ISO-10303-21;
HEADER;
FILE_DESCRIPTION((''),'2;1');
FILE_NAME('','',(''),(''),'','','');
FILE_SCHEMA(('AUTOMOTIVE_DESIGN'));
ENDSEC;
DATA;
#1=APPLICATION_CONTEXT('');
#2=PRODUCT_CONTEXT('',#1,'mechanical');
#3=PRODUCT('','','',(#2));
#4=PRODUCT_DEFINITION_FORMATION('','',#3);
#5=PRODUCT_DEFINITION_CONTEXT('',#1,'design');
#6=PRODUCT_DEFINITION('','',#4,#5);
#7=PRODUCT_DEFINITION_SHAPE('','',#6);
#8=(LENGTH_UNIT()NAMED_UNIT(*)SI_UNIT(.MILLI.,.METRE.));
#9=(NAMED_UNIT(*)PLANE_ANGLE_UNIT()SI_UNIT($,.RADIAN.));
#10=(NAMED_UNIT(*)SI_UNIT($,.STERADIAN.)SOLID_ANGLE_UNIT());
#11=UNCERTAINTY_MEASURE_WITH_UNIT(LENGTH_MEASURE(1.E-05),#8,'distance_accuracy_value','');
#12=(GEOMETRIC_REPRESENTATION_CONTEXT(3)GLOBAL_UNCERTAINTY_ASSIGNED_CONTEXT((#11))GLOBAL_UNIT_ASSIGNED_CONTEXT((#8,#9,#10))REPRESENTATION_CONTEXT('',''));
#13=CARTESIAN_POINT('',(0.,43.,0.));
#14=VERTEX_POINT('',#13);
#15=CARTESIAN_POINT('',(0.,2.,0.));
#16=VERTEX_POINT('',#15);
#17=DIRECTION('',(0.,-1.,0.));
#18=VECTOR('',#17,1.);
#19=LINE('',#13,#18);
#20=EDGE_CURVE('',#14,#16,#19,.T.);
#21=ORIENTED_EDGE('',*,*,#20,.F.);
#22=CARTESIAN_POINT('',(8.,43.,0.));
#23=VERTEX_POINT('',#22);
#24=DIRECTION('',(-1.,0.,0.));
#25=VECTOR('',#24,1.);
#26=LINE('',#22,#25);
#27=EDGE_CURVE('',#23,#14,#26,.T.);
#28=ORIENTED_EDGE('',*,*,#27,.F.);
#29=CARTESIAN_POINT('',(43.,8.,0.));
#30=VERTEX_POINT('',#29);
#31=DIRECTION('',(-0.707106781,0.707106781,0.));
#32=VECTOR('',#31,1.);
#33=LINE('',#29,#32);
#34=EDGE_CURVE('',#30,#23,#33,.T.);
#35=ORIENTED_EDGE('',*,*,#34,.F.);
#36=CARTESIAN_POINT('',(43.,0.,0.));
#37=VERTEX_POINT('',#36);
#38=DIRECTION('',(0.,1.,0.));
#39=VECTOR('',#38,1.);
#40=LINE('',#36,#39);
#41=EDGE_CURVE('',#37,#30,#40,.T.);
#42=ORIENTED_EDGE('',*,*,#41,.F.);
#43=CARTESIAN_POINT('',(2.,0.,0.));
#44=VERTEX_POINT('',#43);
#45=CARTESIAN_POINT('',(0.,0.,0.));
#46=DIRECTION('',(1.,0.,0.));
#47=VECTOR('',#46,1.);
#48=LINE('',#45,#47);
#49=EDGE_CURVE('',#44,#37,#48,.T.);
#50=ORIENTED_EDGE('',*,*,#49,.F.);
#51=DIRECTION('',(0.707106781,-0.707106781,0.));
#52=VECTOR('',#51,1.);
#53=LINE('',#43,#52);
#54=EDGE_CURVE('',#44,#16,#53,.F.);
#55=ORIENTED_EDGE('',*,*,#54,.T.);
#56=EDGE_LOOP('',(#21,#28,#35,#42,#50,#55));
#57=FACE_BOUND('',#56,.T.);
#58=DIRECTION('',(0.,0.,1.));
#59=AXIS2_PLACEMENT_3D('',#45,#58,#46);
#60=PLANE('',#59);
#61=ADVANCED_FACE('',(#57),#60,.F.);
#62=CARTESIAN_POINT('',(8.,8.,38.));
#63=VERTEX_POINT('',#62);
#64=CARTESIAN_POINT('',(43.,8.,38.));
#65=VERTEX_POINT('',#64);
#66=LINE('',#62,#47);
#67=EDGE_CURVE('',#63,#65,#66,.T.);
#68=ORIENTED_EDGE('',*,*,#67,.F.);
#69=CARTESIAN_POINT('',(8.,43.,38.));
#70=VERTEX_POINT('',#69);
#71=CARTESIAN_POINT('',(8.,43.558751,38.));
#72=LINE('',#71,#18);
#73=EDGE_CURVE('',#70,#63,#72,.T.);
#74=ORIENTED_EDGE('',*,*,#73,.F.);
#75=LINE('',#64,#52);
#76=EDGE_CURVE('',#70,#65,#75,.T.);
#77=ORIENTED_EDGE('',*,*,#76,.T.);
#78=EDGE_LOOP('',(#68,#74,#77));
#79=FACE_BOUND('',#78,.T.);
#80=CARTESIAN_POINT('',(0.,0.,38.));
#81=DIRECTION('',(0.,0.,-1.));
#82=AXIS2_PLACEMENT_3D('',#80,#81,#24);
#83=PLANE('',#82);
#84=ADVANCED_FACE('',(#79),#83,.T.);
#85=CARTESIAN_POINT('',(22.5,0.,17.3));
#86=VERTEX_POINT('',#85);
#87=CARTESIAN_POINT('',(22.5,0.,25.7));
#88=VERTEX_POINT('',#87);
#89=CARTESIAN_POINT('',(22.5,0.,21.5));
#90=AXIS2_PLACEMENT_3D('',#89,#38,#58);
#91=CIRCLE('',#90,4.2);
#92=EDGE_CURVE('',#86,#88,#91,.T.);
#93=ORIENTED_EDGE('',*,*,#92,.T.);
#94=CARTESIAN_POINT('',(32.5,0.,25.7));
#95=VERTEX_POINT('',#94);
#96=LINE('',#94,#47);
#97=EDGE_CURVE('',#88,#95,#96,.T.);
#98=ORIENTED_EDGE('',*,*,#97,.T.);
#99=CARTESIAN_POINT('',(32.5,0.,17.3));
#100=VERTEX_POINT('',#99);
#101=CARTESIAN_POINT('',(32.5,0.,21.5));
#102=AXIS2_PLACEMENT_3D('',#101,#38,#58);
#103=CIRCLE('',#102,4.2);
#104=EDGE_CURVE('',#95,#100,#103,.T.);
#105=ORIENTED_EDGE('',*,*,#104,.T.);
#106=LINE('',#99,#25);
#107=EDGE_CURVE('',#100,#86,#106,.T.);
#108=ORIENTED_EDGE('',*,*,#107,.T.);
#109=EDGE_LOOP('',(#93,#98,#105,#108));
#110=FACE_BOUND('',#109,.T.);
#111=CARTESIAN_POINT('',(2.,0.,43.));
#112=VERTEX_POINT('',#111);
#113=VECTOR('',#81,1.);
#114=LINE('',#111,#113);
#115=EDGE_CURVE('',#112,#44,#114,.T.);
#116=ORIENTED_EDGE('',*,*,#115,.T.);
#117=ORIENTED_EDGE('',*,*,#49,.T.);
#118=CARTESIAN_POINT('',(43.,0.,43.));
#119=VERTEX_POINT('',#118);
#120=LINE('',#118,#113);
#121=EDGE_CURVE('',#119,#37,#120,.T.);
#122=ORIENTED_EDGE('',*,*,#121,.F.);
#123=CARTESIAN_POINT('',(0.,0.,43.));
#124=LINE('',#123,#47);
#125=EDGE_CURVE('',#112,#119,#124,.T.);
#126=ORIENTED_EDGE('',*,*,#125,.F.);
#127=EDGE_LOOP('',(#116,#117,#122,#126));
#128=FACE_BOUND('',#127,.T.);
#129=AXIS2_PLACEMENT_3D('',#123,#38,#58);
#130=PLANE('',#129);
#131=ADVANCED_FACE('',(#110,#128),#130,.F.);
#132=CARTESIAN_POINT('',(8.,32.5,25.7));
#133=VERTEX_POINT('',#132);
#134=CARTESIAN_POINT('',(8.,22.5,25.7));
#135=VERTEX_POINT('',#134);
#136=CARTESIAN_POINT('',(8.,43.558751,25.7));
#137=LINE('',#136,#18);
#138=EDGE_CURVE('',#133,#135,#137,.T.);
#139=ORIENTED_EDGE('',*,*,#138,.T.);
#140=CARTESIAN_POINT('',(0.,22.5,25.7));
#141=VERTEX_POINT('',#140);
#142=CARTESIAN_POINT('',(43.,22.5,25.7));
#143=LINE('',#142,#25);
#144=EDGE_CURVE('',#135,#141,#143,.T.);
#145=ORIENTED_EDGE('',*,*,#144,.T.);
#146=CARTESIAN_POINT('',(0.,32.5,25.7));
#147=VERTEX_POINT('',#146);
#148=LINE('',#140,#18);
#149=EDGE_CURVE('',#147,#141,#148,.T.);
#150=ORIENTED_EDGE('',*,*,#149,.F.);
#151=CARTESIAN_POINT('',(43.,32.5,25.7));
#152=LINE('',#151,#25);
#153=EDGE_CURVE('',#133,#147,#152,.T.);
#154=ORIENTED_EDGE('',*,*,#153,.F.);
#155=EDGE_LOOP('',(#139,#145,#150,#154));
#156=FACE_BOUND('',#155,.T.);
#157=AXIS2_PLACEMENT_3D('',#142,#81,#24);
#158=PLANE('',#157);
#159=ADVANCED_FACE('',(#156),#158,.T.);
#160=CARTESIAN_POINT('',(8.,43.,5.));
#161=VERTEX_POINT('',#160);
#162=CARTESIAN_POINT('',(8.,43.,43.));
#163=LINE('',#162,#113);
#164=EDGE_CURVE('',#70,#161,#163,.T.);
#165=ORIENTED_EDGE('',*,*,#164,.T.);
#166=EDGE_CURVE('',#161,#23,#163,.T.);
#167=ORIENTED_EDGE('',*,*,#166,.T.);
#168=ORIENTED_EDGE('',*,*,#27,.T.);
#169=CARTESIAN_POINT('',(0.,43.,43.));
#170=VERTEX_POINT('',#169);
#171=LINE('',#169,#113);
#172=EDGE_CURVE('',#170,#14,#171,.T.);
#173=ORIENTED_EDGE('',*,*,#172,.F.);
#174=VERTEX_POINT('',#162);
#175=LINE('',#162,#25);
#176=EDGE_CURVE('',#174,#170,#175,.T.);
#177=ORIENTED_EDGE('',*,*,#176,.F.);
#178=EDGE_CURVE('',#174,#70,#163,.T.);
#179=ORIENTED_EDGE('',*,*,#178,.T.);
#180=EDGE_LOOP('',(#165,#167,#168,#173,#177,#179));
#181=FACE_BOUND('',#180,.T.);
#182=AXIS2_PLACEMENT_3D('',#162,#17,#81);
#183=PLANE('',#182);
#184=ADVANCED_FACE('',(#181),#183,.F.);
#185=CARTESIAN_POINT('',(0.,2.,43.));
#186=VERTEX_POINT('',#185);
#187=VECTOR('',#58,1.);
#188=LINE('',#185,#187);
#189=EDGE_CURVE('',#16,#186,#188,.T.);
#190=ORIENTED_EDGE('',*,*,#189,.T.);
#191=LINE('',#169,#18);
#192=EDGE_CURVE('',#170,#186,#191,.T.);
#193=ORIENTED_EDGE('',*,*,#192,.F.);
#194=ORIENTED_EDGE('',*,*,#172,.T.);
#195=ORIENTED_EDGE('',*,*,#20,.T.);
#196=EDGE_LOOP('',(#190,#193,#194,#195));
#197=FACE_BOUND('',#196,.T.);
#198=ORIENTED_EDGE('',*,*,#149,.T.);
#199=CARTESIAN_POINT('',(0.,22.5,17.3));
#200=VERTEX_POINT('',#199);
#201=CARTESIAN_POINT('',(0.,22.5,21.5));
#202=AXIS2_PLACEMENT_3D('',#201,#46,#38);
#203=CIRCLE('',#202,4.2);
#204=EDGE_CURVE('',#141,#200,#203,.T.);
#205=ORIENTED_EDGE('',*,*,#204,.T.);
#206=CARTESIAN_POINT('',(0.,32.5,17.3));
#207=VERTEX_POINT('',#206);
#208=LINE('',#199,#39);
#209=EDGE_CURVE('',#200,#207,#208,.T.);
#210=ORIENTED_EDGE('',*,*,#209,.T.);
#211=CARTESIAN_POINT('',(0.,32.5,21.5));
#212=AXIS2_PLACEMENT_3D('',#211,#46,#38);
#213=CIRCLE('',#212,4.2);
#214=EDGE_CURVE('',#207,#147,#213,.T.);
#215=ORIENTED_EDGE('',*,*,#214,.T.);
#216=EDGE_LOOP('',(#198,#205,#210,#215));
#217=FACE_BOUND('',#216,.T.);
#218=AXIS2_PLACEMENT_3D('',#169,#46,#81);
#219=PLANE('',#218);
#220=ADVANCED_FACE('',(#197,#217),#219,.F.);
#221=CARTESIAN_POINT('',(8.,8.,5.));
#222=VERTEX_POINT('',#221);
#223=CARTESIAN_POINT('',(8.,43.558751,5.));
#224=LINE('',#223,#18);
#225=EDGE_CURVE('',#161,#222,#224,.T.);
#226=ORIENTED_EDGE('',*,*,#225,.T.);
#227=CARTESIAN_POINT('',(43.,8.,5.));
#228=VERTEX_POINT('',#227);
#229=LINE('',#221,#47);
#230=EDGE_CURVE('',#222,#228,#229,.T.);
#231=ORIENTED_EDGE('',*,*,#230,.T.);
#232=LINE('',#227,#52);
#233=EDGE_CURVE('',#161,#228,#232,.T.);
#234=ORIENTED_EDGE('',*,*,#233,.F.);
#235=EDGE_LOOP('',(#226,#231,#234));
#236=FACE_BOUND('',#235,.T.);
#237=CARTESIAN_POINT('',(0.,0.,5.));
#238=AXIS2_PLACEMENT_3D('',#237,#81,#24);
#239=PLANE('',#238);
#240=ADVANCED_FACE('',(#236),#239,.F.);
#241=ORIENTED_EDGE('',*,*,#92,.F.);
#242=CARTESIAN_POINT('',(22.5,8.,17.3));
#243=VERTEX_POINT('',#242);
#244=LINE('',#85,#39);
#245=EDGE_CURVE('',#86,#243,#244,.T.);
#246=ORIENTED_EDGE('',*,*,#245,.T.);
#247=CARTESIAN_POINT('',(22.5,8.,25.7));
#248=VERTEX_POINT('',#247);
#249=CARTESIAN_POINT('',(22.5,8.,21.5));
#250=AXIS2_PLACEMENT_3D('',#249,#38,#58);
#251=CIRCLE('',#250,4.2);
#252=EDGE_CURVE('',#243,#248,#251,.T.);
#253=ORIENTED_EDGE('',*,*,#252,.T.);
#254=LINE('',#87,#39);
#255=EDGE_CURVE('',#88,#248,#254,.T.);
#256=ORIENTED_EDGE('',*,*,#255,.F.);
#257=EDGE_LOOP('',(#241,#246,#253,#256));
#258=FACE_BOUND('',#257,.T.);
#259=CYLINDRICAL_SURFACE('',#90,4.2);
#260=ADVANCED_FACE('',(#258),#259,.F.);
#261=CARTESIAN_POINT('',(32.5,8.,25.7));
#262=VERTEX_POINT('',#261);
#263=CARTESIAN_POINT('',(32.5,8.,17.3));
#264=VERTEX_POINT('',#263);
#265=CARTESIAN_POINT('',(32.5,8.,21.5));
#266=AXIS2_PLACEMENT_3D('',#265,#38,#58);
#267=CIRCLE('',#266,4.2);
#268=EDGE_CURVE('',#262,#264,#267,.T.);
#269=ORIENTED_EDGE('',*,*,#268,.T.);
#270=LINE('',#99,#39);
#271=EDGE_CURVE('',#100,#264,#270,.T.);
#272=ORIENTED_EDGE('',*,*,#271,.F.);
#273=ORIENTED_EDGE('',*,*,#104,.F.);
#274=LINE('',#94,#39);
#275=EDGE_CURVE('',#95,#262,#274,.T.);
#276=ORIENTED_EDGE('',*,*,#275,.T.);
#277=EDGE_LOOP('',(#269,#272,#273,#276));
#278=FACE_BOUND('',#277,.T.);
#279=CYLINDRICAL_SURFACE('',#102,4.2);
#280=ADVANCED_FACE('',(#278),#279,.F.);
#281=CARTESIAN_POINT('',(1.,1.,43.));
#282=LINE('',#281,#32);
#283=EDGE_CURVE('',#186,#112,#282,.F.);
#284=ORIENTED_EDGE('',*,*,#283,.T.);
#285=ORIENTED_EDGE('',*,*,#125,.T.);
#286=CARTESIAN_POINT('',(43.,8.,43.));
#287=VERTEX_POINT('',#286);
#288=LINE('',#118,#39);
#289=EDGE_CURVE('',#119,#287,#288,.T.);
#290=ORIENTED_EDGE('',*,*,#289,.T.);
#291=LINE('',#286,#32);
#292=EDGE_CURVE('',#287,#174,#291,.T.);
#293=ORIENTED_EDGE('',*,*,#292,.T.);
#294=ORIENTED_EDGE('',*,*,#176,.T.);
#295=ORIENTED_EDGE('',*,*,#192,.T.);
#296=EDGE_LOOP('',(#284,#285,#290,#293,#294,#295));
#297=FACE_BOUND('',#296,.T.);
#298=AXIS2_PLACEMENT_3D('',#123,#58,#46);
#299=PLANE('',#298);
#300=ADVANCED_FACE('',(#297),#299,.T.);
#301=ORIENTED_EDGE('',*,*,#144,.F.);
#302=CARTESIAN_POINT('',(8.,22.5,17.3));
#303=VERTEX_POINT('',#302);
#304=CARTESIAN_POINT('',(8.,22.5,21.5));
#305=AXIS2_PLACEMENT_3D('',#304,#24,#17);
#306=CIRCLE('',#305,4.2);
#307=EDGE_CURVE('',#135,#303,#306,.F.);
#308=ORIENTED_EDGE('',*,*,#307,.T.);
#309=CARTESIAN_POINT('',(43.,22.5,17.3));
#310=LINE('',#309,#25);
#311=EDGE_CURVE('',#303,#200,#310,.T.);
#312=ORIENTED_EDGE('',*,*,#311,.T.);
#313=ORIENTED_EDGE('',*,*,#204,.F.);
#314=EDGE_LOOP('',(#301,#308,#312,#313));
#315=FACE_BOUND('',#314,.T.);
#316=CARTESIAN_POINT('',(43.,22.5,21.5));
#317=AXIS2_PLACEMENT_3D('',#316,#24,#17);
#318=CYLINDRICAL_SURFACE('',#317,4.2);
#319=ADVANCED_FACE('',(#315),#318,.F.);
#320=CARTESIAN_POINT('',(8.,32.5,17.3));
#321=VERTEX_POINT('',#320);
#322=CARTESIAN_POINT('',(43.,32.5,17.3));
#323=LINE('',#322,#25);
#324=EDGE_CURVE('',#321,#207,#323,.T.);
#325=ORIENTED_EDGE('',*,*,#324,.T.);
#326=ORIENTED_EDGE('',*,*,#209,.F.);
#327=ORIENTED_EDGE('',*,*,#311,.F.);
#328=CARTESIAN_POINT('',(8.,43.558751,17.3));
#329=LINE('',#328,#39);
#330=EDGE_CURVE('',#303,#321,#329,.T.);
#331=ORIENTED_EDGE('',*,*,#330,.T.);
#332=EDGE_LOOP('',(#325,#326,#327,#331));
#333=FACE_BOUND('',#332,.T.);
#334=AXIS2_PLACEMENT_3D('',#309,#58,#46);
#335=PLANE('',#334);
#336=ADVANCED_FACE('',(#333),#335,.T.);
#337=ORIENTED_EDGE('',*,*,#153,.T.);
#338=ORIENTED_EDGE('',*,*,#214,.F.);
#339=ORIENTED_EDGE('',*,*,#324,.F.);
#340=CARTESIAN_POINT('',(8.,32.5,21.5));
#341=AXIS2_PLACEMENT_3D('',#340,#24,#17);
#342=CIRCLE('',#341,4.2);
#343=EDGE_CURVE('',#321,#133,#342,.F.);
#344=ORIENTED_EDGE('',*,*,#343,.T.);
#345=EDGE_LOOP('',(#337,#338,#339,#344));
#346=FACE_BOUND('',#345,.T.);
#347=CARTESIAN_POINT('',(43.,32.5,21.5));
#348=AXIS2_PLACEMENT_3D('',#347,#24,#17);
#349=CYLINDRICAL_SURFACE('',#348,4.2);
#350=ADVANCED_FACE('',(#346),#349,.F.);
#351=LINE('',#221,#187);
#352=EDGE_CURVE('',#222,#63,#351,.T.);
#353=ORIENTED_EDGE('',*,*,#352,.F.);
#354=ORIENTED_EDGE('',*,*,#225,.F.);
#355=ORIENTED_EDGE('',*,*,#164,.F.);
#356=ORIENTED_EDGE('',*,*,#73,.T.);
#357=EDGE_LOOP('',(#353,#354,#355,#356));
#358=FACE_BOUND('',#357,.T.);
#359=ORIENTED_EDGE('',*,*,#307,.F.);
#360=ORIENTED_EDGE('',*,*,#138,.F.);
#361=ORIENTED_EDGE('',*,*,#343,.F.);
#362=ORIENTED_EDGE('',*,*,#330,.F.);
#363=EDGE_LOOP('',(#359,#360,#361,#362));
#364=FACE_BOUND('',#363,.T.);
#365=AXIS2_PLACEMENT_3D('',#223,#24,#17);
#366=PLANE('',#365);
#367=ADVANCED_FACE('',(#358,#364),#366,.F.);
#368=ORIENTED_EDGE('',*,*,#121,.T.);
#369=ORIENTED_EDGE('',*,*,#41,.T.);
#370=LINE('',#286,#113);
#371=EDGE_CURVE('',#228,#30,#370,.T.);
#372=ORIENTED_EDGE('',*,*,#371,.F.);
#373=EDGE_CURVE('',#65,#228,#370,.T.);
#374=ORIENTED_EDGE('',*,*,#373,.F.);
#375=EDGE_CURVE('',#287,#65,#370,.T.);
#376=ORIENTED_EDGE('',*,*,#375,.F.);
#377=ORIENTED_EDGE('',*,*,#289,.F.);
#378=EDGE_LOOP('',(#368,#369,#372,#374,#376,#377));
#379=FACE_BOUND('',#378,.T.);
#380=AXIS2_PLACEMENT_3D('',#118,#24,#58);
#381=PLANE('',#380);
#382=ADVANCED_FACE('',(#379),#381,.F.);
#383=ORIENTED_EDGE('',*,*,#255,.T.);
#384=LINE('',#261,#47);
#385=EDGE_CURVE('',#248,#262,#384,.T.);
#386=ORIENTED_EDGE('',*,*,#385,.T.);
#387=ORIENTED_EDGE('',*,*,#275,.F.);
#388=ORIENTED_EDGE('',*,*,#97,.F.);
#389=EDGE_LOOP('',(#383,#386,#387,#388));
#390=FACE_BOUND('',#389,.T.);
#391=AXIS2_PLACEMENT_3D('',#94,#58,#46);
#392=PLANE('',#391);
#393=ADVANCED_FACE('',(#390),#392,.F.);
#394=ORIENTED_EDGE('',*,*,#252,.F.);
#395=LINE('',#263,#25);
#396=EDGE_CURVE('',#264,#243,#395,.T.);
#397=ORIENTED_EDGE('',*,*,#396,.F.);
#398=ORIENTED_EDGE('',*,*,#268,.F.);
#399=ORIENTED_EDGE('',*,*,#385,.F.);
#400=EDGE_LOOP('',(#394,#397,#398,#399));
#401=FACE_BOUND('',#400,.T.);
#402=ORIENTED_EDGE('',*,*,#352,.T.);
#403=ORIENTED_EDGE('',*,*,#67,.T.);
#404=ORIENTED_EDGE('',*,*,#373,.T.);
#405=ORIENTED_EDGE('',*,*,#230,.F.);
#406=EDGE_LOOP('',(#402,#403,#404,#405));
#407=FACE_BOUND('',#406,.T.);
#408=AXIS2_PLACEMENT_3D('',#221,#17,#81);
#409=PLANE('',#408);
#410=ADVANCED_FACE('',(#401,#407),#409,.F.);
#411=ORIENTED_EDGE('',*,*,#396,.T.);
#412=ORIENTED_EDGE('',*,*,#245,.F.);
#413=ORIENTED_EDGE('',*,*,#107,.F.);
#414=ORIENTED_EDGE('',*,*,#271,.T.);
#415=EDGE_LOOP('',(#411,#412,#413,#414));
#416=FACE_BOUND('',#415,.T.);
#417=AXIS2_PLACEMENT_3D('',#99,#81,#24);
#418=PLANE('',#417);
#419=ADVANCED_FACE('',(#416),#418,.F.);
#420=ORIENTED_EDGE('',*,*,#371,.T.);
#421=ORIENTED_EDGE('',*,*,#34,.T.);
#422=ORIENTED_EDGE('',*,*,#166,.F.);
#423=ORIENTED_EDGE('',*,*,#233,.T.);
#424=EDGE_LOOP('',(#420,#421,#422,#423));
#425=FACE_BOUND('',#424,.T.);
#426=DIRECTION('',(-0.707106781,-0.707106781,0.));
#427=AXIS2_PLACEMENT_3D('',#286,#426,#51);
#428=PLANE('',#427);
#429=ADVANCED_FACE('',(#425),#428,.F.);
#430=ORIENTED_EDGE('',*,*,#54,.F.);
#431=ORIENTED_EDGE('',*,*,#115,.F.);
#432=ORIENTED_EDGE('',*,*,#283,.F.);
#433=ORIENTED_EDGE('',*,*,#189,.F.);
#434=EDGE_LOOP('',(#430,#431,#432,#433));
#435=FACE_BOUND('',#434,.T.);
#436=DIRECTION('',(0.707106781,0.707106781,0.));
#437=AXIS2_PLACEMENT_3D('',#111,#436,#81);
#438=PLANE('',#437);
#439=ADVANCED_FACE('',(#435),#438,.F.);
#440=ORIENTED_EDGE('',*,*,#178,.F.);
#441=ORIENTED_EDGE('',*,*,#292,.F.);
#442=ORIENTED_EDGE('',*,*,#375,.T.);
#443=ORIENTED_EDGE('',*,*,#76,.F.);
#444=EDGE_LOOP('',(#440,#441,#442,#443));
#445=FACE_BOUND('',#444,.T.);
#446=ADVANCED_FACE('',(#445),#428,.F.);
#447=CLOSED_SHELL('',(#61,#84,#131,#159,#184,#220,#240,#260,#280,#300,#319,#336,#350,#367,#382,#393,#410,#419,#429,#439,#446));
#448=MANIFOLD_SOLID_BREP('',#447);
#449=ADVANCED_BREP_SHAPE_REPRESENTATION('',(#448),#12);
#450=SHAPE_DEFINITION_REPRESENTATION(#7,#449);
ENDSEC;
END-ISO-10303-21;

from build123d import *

# Parameters (mm, degrees)
BOSS_EXTRU_1_DEPTH           = 43
ENL_V_MAT_EXTRU_1_DEPTH      = 16.5
ENL_V_MAT_EXTRU_2_DEPTH      = 36
ENL_V_MAT_EXTRU_2_DEPTH_BACK = 9
ENL_V_MAT_EXTRU_3_DEPTH      = 9
CHANFREIN1_SIZE              = 2


with BuildPart() as part:
    # Esquisse1 → Boss.-Extru.1 (new body)
    with BuildSketch(Plane.XY):
        Polygon((0, 43), (0, 0), (43, 0), (43, 8), (8, 43), align=None)
    extrude(amount=BOSS_EXTRU_1_DEPTH)

    # Esquisse2 → Enlèv. mat.-Extru.1 (cut, symmetric)
    with BuildSketch(Plane.XY.offset(21.5)):
        Polygon((8, 43.558751445), (8, 8), (47.774907193, 8), (49.427845989, 41.515592143), align=None)
    extrude(amount=ENL_V_MAT_EXTRU_1_DEPTH, both=True, mode=Mode.SUBTRACT)

    # Esquisse3 → Enlèv. mat.-Extru.2 (cut, two sides)
    with BuildSketch(Plane(origin=(8, 0, 0), x_dir=(0, 0, -1), z_dir=(1, 0, 0))) as enl_v_mat_extru_2_sk:
        with BuildLine():
            Line((-25.7, 22.5), (-25.7, 32.5))
            ThreePointArc((-25.7, 32.5), (-21.5, 36.7), (-17.3, 32.5))
            Line((-17.3, 32.5), (-17.3, 22.5))
            ThreePointArc((-17.3, 22.5), (-21.5, 18.3), (-25.7, 22.5))
        make_face()
    extrude(amount=ENL_V_MAT_EXTRU_2_DEPTH, mode=Mode.SUBTRACT)
    extrude(enl_v_mat_extru_2_sk.sketch, amount=-ENL_V_MAT_EXTRU_2_DEPTH_BACK, mode=Mode.SUBTRACT)

    # Esquisse4 → Enlèv. mat.-Extru.3 (cut, through all)
    with BuildSketch(Plane(origin=(0, 8, 0), x_dir=(1, 0, 0), z_dir=(0, 1, 0))):
        with BuildLine():
            Line((32.5, -25.7), (22.5, -25.7))
            ThreePointArc((22.5, -25.7), (18.3, -21.5), (22.5, -17.3))
            Line((22.5, -17.3), (32.5, -17.3))
            ThreePointArc((32.5, -17.3), (36.7, -21.5), (32.5, -25.7))
        make_face()
    extrude(amount=-ENL_V_MAT_EXTRU_3_DEPTH, mode=Mode.SUBTRACT)

    # Chanfrein1
    chanfrein1_edges = [part.edges().sort_by_distance(p)[0] for p in [
        (0, 0, 21.5),
    ]]
    chamfer(chanfrein1_edges, length=CHANFREIN1_SIZE)


solid = part.part
